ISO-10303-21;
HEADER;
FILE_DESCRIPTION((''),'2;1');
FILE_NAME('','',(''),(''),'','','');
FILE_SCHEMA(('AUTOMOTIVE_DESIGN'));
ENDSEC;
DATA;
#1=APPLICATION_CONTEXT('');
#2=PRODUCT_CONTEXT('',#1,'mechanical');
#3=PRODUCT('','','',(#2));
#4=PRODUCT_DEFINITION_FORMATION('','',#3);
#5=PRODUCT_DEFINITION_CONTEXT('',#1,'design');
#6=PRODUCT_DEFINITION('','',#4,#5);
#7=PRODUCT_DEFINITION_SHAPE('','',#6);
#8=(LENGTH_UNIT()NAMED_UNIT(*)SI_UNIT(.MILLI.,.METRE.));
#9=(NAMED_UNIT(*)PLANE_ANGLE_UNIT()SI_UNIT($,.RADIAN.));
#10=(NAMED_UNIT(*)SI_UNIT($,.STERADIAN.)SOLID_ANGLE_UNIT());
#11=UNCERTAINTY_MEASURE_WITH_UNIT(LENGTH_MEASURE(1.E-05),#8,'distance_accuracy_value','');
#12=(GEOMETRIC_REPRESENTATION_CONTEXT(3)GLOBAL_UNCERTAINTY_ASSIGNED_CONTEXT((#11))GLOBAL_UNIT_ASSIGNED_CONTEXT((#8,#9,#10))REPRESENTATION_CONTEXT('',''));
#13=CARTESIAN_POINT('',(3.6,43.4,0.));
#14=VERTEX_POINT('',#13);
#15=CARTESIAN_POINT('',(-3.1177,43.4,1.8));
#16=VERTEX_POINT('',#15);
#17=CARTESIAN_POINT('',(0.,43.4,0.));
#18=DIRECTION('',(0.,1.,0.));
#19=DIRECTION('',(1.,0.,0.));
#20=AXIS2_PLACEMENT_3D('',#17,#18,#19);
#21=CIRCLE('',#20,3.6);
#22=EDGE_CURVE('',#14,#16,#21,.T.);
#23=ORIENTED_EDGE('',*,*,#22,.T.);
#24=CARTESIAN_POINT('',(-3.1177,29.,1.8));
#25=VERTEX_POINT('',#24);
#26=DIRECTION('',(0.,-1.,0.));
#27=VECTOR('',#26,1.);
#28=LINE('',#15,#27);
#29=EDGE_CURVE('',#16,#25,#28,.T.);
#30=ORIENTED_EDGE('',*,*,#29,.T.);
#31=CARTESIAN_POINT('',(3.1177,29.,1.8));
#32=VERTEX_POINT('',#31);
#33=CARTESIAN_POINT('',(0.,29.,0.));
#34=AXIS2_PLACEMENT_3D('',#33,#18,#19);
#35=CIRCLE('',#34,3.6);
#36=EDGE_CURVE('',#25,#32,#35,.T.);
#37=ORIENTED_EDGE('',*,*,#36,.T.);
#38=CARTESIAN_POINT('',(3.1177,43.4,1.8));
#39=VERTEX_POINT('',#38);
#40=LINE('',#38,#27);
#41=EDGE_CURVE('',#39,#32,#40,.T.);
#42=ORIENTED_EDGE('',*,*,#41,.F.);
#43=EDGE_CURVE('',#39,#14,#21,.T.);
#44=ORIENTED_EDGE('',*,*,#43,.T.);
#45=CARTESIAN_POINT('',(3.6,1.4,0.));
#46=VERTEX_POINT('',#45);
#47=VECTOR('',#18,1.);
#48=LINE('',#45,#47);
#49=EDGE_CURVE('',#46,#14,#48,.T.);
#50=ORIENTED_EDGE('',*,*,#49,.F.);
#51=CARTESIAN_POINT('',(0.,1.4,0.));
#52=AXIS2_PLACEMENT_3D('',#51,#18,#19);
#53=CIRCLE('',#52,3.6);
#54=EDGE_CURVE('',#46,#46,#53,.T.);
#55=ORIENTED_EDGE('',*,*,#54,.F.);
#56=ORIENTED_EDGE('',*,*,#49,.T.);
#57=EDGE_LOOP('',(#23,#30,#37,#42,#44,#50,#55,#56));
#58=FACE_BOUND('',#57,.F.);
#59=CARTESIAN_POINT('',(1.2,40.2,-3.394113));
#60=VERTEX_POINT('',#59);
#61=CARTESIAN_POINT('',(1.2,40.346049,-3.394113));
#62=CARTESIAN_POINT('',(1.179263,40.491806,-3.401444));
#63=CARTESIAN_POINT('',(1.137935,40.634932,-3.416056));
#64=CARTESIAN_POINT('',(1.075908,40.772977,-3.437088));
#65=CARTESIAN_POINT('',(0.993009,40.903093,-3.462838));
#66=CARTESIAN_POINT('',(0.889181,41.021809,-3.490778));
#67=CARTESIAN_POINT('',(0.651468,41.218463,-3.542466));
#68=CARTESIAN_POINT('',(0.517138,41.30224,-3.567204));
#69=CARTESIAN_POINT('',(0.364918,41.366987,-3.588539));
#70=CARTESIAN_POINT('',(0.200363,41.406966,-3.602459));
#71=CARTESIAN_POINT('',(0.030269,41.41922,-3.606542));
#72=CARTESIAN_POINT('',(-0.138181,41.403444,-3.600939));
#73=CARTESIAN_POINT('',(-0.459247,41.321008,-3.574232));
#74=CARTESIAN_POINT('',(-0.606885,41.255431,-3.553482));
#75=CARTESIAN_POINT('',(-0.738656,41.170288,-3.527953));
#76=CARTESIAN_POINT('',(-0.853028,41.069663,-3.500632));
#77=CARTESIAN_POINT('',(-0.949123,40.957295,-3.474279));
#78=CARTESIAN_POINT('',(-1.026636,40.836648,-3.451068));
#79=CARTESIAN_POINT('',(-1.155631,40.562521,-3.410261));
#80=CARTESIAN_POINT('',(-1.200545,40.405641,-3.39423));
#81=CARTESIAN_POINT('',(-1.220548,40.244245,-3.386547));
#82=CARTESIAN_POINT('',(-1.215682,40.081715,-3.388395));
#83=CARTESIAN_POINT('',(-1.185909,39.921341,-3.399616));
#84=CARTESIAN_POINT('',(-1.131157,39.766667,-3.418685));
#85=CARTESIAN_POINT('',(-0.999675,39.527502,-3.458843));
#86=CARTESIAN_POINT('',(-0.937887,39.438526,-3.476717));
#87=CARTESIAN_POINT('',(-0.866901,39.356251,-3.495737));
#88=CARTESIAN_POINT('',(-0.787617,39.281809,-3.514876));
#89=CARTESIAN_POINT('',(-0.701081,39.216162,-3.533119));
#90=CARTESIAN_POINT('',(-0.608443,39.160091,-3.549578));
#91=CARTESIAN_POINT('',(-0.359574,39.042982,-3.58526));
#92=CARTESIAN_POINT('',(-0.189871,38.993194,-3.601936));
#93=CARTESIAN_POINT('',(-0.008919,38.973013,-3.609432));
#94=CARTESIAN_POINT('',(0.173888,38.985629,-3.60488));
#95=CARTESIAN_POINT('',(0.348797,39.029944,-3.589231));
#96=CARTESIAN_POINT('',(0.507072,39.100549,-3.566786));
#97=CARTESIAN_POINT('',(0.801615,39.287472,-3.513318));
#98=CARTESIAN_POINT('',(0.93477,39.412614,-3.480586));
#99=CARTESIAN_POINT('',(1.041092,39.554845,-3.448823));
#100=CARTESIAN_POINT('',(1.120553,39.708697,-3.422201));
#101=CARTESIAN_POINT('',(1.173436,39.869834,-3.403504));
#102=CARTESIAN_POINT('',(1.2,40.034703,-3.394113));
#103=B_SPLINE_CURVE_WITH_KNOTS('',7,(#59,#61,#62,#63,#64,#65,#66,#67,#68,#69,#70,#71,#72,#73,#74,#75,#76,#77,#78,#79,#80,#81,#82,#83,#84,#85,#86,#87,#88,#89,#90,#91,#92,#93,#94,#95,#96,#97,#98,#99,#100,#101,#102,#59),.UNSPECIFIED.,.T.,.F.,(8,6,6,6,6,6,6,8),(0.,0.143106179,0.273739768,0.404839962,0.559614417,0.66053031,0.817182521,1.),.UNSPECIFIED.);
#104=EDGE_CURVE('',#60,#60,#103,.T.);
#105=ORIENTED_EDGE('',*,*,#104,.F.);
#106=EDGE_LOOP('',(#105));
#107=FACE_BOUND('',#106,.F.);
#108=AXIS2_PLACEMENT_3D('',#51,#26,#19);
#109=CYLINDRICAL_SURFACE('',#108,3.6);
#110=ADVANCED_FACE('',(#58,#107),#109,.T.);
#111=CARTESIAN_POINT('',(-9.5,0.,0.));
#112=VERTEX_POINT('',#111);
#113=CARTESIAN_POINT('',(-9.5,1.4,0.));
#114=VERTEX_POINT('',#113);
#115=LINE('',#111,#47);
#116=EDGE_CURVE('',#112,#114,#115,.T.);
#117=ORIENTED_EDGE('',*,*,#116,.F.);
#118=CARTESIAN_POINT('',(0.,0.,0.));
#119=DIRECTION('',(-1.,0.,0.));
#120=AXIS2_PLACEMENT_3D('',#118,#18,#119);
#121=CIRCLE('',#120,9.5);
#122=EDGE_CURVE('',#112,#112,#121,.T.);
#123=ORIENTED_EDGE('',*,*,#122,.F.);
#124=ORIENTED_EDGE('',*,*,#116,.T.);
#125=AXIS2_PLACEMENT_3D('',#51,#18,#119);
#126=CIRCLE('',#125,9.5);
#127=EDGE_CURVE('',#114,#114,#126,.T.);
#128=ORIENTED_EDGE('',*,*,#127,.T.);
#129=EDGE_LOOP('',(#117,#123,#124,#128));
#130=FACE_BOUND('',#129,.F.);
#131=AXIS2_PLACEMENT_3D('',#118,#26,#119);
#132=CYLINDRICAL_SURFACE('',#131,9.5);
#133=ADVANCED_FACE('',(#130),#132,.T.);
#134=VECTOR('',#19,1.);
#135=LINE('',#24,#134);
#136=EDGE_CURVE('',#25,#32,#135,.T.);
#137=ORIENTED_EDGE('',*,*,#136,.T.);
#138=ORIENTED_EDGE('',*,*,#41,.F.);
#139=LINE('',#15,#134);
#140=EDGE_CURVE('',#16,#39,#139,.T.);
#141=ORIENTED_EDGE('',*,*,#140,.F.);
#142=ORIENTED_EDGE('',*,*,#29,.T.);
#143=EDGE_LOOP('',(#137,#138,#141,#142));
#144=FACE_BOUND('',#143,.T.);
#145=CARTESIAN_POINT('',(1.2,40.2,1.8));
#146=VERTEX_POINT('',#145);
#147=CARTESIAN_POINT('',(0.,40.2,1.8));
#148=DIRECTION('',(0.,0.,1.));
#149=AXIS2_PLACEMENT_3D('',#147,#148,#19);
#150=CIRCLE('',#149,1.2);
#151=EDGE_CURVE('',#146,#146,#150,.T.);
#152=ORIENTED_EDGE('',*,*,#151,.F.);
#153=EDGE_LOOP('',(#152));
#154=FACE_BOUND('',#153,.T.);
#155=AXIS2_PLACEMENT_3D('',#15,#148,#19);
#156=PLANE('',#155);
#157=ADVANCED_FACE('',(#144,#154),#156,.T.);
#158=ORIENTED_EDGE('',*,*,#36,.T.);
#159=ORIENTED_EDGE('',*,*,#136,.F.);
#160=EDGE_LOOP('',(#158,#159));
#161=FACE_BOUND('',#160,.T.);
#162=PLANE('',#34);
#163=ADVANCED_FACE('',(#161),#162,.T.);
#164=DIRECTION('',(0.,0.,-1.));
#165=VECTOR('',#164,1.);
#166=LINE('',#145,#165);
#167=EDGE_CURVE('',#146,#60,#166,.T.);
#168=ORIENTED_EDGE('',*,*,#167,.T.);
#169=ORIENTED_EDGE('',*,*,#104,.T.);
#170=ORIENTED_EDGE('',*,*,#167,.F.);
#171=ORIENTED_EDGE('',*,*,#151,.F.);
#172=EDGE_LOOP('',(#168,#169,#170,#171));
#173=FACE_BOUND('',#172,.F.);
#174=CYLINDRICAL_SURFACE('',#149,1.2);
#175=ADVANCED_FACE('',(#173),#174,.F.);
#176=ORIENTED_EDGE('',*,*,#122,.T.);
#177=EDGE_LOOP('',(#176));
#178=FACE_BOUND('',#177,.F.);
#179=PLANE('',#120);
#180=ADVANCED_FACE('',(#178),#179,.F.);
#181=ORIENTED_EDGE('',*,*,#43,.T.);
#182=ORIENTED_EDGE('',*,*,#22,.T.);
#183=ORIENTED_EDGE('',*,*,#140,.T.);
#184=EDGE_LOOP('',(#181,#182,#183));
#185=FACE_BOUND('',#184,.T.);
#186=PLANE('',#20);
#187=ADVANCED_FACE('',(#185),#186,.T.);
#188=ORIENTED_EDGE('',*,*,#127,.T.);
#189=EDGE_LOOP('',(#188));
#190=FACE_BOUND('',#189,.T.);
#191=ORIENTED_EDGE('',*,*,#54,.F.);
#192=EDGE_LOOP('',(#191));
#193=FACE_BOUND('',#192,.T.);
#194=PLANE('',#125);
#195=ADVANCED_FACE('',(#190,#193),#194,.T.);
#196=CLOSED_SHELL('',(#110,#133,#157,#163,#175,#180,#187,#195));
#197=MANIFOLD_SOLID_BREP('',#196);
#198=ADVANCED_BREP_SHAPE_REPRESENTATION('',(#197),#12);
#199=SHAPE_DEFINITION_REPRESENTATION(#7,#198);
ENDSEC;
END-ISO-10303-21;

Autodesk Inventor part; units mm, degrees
ref_plane "YZ Plane" through (0, 0, 0) normal (1, 0, 0) x (0, 1, 0)
ref_plane "XZ Plane" through (0, 0, 0) normal (0, 1, 0) x (-1, 0, 0)
ref_plane "XY Plane" through (0, 0, 0) normal (0, 0, 1) x (1, 0, 0)
sketch "Sketch1" plane through (0, 0, 0) normal (0, 1, 0) x (-1, 0, 0)
  circle A0 centre (0, 0) radius 9.5
  dimension "d0" = 19
extrude "Extrusion1" add sketch "Sketch1" along normal blind 1.4
sketch "Sketch2" plane through (0, 1.4, 0) normal (0, 1, 0) x (1, 0, 0)
  circle A0 centre (0, 0) radius 9.5 projected
  circle A1 centre (0, 0) radius 3.6
  dimension "d3" = 7.2
extrude "Extrusion2" add sketch "Sketch2" along normal blind 42 contours A1
sketch "Sketch3" plane through (0, 43.4, 0) normal (0, 1, 0) x (1, 0, 0)
  circle A0 centre (0, 0) radius 3.6 projected
  line L0 (-3.1177, -1.8) -> (3.1177, -1.8)
  arc A1 (-3.1177, -1.8) -> (3.1177, -1.8) centre (0, 0) ccw
  dimension "d6" = 1.8
extrude "Extrusion3" cut sketch "Sketch3" against normal blind 14.4 contours L0 A0 picked at (0.1393, -2.8389)
sketch "Sketch4" plane through (-3.1177, 43.4, 1.8) normal (0, 0, 1) x (1, 0, 0)
  line L0 (0, 0) -> (6.2354, 0) projected
  circle A0 centre (3.1177, -3.2) radius 1.2
  point P0 (3.1177, -43.4)
  dimension "d9" = 2.4
  dimension "d10" = 3.2
extrude "Extrusion4" cut sketch "Sketch4" against normal through all
properties part number "Front Axle"
